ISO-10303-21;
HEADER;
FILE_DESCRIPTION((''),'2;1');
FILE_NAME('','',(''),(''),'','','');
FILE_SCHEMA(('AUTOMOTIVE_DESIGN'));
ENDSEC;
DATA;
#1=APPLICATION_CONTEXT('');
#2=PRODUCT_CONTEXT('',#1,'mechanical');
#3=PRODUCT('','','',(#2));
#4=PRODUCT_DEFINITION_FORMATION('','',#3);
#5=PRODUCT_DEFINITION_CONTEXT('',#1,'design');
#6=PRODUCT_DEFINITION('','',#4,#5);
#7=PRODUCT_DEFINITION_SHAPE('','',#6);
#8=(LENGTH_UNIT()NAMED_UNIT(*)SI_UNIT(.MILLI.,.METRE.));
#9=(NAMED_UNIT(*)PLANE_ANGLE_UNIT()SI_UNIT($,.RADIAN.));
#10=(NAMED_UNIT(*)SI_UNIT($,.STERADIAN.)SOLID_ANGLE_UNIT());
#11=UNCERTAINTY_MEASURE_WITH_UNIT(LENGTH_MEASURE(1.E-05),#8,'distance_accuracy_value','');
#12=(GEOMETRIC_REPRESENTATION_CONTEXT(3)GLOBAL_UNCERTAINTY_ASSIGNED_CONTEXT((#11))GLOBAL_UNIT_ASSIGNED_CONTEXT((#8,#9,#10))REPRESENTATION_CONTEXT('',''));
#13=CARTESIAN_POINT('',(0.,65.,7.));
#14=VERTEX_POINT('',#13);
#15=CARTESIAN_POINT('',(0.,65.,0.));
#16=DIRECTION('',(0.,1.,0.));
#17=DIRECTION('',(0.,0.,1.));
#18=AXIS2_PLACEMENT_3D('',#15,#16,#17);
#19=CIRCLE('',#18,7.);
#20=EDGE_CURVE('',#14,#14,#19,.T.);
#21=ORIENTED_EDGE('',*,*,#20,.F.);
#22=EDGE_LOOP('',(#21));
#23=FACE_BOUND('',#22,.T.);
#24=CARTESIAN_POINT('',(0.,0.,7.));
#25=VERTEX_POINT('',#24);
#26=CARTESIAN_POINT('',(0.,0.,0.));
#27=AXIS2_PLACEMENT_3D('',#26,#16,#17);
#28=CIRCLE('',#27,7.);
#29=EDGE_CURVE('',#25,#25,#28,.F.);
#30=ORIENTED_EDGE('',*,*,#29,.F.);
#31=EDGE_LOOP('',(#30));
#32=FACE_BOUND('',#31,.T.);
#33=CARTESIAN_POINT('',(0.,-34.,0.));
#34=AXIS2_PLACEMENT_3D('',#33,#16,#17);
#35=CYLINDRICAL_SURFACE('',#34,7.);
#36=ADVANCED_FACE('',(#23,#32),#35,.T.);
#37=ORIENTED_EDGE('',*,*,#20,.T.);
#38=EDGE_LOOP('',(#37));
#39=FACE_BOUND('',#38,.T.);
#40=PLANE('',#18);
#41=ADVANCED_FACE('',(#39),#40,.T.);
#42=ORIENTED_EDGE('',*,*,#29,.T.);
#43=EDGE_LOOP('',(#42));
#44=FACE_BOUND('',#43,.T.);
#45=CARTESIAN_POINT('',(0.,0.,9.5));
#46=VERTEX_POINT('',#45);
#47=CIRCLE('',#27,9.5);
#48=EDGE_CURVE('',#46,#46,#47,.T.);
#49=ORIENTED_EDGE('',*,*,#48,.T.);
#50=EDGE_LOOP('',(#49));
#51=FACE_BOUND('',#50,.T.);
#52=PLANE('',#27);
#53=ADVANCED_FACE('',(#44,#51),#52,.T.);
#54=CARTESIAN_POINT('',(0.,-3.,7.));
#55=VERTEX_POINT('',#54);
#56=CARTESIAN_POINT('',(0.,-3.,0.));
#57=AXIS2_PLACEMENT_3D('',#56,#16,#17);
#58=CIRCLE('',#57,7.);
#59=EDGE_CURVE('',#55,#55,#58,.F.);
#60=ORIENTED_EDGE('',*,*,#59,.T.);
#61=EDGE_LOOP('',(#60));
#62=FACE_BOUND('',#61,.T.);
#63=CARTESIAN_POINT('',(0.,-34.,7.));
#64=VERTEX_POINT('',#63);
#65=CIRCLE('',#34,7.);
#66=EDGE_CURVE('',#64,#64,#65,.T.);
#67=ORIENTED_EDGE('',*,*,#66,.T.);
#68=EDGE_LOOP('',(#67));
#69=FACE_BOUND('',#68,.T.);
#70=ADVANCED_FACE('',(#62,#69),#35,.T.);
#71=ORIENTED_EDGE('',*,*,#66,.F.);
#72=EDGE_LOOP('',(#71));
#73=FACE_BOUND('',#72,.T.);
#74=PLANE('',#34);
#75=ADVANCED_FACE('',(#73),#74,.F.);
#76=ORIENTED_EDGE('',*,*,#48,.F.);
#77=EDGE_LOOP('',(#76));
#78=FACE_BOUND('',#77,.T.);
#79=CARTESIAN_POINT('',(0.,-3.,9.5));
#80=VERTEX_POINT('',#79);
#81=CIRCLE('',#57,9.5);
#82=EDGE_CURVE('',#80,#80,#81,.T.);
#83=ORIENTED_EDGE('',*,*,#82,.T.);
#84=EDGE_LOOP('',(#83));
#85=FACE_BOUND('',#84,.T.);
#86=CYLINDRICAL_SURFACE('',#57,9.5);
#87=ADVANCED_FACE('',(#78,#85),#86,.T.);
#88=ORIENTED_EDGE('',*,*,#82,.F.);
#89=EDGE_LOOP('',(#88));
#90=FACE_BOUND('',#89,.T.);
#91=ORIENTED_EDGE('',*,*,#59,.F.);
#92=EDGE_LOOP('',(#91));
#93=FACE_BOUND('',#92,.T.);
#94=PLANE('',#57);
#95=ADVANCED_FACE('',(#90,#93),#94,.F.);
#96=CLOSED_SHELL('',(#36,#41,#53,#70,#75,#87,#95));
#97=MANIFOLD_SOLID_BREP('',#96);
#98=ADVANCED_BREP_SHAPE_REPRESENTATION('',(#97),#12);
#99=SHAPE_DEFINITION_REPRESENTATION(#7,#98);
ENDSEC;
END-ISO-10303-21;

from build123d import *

# Parameters (mm, degrees)
BOSS_EXTRUDE1_DEPTH      = 65
BOSS_EXTRUDE1_DEPTH_BACK = 34
SKETCH1_R                = 7
SKETCH2_R                = 9.5
BOSS_EXTRUDE2_DEPTH      = 3


with BuildPart() as part:
    # Sketch1 → Boss-Extrude1 (new, two sides: drawn at the far end of the back side and taken through both)
    with BuildSketch(Plane(origin=(0, 0, 0), x_dir=(1, 0, 0), z_dir=(0, 1, 0)).offset(-BOSS_EXTRUDE1_DEPTH_BACK)):
        with Locations(Location((0, 0, 0), (0, 0, 270))):
            Circle(SKETCH1_R)
    extrude(amount=BOSS_EXTRUDE1_DEPTH + BOSS_EXTRUDE1_DEPTH_BACK)

    # Sketch2 → Boss-Extrude2 (add)
    with BuildSketch(Plane(origin=(0, 0, 0), x_dir=(1, 0, 0), z_dir=(0, 1, 0))):
        with Locations(Location((0, 0, 0), (0, 0, 270))):
            Circle(SKETCH2_R)
    extrude(amount=-BOSS_EXTRUDE2_DEPTH)


solid = part.part
